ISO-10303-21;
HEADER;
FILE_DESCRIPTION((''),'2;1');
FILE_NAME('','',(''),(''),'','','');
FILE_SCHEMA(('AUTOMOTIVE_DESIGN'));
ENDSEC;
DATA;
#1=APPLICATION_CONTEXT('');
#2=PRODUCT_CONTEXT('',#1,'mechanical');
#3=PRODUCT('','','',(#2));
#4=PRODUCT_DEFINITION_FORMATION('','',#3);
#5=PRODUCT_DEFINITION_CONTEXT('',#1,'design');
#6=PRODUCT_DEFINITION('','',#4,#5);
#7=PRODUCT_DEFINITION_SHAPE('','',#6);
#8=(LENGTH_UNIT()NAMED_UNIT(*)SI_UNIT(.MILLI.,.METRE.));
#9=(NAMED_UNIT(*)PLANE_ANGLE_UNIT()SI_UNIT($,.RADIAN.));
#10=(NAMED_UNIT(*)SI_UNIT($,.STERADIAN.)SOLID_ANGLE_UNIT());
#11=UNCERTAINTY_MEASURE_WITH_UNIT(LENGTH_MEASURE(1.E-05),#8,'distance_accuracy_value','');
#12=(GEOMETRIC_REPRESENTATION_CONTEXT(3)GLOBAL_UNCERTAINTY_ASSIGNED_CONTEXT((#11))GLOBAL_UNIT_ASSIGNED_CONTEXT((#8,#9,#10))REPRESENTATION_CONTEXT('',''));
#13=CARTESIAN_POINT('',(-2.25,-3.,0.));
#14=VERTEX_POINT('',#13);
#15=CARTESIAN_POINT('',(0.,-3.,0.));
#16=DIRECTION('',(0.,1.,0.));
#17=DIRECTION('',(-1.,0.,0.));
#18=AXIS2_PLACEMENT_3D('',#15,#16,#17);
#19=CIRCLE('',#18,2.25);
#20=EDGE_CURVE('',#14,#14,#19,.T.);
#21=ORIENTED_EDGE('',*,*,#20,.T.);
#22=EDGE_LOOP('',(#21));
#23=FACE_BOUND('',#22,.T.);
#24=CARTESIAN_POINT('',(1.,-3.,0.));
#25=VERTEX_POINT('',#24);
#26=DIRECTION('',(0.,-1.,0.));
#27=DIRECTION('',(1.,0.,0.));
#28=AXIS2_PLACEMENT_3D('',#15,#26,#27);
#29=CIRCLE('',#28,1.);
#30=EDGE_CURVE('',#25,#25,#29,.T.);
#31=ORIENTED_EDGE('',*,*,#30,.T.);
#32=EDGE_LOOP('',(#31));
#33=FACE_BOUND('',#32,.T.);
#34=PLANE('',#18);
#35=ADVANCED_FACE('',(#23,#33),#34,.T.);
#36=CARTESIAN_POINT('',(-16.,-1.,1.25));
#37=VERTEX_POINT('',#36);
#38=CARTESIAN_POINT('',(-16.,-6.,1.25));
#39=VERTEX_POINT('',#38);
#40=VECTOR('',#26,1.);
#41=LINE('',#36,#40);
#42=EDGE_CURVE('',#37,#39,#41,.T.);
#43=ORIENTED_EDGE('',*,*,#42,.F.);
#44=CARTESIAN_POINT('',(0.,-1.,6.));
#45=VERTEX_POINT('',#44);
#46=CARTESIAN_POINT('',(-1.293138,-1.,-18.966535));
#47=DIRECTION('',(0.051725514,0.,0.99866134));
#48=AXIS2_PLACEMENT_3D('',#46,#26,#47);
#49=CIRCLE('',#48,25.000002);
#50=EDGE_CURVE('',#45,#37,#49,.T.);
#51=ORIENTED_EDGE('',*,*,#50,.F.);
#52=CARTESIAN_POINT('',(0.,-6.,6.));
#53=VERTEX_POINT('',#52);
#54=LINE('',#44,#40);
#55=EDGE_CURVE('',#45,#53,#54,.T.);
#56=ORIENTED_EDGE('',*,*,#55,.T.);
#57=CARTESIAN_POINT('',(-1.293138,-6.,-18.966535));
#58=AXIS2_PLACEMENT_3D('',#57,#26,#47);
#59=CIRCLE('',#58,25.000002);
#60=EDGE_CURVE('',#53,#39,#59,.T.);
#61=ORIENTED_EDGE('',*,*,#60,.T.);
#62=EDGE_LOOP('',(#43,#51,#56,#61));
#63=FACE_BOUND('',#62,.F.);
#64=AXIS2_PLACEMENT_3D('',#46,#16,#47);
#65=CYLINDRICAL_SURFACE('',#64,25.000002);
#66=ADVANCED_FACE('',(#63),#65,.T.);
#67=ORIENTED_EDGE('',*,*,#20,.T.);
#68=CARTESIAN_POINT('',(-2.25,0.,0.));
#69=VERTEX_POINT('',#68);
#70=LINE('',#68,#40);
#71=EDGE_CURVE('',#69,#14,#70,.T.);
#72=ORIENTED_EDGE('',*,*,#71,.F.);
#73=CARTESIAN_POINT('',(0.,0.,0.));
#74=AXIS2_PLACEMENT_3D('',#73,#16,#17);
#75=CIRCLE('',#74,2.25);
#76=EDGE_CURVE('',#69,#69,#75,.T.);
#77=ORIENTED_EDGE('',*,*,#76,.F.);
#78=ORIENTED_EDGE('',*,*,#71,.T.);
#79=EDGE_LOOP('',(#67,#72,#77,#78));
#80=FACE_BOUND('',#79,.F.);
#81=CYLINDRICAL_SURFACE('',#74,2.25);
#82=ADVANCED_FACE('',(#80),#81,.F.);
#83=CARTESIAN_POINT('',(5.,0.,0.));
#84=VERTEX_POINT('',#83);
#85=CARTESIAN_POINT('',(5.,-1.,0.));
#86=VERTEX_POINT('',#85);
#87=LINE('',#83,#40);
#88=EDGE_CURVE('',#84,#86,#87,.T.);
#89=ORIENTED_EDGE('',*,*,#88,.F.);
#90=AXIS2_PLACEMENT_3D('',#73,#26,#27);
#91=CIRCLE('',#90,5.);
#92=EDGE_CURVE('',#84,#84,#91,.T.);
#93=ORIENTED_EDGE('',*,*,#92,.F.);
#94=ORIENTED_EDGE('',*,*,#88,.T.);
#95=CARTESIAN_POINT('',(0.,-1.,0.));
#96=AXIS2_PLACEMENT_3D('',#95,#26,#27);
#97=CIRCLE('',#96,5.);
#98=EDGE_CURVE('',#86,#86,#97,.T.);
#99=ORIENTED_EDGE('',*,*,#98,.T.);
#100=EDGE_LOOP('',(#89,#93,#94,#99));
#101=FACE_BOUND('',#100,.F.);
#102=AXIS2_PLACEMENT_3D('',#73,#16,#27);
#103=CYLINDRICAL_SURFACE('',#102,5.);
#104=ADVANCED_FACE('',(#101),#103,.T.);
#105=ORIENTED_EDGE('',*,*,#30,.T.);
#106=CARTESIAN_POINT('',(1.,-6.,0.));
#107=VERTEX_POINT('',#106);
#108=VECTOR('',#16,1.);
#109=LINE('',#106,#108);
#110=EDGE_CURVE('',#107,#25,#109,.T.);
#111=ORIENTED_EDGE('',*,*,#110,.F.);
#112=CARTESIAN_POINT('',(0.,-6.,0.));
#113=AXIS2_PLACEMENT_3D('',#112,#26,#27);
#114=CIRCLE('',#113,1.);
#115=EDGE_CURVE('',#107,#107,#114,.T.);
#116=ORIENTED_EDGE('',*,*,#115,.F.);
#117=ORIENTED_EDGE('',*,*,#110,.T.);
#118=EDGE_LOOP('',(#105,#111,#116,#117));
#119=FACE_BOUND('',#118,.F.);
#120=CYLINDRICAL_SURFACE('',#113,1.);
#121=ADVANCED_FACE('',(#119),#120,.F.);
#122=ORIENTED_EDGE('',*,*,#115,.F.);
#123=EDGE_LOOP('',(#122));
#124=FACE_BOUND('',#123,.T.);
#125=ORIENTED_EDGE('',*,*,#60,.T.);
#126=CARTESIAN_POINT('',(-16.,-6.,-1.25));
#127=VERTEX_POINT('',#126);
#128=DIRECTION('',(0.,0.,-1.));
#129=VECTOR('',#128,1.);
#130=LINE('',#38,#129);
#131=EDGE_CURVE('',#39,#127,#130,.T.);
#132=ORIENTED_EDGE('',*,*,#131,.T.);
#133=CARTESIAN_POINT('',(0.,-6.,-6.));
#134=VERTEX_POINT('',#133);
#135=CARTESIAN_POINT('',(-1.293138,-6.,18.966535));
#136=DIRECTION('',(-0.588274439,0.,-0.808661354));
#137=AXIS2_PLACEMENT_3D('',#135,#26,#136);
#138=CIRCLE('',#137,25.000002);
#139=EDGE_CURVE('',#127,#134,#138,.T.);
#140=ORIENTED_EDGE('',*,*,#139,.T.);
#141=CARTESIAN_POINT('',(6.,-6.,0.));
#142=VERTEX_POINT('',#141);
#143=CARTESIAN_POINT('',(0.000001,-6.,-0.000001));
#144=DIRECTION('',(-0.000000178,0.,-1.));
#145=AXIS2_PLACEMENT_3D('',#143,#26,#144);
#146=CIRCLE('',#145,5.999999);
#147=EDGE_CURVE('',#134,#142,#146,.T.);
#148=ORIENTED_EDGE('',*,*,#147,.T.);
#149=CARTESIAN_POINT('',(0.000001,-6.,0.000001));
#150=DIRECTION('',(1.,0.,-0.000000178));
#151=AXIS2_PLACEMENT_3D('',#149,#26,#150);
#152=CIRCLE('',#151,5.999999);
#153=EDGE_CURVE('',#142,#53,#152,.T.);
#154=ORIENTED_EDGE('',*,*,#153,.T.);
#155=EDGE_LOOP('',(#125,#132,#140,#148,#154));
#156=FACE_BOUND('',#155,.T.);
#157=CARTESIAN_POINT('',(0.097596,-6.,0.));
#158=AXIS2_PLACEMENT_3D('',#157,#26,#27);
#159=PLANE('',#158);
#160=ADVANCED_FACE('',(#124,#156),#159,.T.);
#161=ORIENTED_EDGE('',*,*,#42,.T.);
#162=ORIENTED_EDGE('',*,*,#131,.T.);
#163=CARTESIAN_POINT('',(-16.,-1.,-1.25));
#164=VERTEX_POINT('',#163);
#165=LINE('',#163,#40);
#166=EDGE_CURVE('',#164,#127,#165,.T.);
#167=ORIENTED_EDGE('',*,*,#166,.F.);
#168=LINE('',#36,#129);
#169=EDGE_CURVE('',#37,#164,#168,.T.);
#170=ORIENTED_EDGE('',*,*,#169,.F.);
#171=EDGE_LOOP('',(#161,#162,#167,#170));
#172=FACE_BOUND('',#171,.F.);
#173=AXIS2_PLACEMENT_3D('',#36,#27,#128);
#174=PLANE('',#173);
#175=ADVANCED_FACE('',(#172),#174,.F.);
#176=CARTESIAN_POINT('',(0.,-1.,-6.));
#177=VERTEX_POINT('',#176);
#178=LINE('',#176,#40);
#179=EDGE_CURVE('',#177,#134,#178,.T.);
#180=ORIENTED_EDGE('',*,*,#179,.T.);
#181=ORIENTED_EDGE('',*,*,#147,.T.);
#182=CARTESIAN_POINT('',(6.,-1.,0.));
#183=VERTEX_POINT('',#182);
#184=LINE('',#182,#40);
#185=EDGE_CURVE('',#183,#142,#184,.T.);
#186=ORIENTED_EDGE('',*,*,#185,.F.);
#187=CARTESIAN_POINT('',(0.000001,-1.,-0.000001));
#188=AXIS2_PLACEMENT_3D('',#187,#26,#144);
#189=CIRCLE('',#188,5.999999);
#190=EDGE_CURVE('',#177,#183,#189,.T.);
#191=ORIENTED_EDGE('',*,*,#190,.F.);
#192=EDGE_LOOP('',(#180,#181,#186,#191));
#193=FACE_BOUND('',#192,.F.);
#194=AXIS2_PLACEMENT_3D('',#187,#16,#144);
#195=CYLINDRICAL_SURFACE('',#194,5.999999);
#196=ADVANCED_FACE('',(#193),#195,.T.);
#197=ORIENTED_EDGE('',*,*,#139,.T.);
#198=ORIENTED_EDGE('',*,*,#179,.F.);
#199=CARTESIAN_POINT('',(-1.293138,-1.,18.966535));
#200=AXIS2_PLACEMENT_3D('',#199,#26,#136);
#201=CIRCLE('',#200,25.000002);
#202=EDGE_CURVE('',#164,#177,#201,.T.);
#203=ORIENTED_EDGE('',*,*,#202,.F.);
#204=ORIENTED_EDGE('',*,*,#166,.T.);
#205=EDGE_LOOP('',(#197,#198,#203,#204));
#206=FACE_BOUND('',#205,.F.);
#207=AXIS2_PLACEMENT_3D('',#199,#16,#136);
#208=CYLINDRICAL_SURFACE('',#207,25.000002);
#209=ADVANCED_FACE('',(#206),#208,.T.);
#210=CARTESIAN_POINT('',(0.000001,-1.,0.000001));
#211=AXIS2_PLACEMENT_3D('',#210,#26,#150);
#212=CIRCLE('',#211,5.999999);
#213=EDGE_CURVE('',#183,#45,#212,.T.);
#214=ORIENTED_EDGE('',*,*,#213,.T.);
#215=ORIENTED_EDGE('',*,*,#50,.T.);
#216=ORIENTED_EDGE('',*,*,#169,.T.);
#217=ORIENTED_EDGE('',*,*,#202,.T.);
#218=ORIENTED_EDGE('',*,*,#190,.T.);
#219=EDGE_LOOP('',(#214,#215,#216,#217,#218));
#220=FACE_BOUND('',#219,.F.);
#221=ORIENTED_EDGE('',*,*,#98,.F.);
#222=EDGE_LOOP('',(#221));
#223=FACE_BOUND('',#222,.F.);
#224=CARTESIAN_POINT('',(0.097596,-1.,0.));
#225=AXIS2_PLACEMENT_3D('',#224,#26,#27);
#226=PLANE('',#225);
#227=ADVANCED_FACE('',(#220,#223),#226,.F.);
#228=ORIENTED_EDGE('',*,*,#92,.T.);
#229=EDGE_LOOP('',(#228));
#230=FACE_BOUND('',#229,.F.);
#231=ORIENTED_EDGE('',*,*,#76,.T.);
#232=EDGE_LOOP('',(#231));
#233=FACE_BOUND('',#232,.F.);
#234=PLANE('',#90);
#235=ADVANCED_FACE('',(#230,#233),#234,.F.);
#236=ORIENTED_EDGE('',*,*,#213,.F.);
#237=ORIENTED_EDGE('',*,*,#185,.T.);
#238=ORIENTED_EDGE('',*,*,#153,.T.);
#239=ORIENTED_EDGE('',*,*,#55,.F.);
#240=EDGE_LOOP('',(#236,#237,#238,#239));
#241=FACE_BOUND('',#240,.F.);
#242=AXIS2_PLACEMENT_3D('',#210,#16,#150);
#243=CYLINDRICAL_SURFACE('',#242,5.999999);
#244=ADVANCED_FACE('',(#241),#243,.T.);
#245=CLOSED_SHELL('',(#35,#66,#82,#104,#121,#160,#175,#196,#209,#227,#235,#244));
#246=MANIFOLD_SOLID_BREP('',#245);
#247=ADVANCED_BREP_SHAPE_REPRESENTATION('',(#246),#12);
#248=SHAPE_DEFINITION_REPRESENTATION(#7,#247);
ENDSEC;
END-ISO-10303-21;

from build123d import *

# Parameters (mm, degrees)
F0_R     = 5
F1_DEPTH = 1
F3_DEPTH = 5
F4_W     = 11.32601
F4_H     = 3.74272
F5_DEPTH = 5
F6_R     = 2.25
F7_DEPTH = 3
F8_R     = 1
F9_DEPTH = 25


with BuildPart() as f1:
    # F0 (on Front) → F1 (new body)
    with BuildSketch(Plane.XZ):
        Circle(F0_R)
    extrude(amount=F1_DEPTH)

    # F2 (on face) → F3 (join)
    with BuildSketch(Plane.XZ.offset(1)):
        with BuildLine():
            ThreePointArc((0, -6), (4.242641, -4.242641), (6, 0))
            ThreePointArc((6, 0), (4.242641, 4.242641), (0, 6))
            ThreePointArc((0, 6), (-3.774917, 4.66369), (-5.868347, 1.25))
            Line((-5.868347, 1.25), (4, 1.25))
            Line((4, 1.25), (4, -1.25))
            Line((4, -1.25), (-5.868347, -1.25))
            ThreePointArc((-5.868347, -1.25), (-3.774917, -4.66369), (0, -6))
        make_face()
        with BuildLine():
            ThreePointArc((-5.868347, 1.25), (-3.774917, 4.66369), (0, 6))
            ThreePointArc((0, 6), (-8.408096, 4.999638), (-16, 1.25))
            Line((-16, 1.25), (-5.868347, 1.25))
        make_face()
        with BuildLine():
            ThreePointArc((-16, -1.25), (-8.408096, -4.999638), (0, -6))
            ThreePointArc((0, -6), (-3.774917, -4.66369), (-5.868347, -1.25))
            Line((-5.868347, -1.25), (-16, -1.25))
        make_face()
        with BuildLine():
            ThreePointArc((-6, 0), (-5.966996, 0.628457), (-5.868347, 1.25))
            Line((-5.868347, 1.25), (-16, 1.25))
            Line((-16, 1.25), (-16, 0))
            Line((-16, 0), (-6, 0))
        make_face()
        with BuildLine():
            Line((-16, -1.25), (-5.868347, -1.25))
            ThreePointArc((-5.868347, -1.25), (-5.966996, -0.628457), (-6, 0))
            Line((-6, 0), (-16, 0))
            Line((-16, 0), (-16, -1.25))
        make_face()
    extrude(amount=F3_DEPTH)

    # F4 (on face) → F5 (join)
    with BuildSketch(Plane.XZ.offset(6)):
        with Locations((-1.024707, -0.007552)):
            Rectangle(F4_W, F4_H)
    extrude(amount=-F5_DEPTH)

    # F6 (on face) → F7 (cut)
    with BuildSketch(Plane(origin=(0, 0, 0), x_dir=(-1, 0, 0), z_dir=(0, 1, 0))):
        Circle(F6_R)
    extrude(amount=-F7_DEPTH, mode=Mode.SUBTRACT)

    # F8 (on face) → F9 (cut)
    with BuildSketch(Plane.XZ.offset(6)):
        Circle(F8_R)
    extrude(amount=-F9_DEPTH, mode=Mode.SUBTRACT)


solid = f1.part
